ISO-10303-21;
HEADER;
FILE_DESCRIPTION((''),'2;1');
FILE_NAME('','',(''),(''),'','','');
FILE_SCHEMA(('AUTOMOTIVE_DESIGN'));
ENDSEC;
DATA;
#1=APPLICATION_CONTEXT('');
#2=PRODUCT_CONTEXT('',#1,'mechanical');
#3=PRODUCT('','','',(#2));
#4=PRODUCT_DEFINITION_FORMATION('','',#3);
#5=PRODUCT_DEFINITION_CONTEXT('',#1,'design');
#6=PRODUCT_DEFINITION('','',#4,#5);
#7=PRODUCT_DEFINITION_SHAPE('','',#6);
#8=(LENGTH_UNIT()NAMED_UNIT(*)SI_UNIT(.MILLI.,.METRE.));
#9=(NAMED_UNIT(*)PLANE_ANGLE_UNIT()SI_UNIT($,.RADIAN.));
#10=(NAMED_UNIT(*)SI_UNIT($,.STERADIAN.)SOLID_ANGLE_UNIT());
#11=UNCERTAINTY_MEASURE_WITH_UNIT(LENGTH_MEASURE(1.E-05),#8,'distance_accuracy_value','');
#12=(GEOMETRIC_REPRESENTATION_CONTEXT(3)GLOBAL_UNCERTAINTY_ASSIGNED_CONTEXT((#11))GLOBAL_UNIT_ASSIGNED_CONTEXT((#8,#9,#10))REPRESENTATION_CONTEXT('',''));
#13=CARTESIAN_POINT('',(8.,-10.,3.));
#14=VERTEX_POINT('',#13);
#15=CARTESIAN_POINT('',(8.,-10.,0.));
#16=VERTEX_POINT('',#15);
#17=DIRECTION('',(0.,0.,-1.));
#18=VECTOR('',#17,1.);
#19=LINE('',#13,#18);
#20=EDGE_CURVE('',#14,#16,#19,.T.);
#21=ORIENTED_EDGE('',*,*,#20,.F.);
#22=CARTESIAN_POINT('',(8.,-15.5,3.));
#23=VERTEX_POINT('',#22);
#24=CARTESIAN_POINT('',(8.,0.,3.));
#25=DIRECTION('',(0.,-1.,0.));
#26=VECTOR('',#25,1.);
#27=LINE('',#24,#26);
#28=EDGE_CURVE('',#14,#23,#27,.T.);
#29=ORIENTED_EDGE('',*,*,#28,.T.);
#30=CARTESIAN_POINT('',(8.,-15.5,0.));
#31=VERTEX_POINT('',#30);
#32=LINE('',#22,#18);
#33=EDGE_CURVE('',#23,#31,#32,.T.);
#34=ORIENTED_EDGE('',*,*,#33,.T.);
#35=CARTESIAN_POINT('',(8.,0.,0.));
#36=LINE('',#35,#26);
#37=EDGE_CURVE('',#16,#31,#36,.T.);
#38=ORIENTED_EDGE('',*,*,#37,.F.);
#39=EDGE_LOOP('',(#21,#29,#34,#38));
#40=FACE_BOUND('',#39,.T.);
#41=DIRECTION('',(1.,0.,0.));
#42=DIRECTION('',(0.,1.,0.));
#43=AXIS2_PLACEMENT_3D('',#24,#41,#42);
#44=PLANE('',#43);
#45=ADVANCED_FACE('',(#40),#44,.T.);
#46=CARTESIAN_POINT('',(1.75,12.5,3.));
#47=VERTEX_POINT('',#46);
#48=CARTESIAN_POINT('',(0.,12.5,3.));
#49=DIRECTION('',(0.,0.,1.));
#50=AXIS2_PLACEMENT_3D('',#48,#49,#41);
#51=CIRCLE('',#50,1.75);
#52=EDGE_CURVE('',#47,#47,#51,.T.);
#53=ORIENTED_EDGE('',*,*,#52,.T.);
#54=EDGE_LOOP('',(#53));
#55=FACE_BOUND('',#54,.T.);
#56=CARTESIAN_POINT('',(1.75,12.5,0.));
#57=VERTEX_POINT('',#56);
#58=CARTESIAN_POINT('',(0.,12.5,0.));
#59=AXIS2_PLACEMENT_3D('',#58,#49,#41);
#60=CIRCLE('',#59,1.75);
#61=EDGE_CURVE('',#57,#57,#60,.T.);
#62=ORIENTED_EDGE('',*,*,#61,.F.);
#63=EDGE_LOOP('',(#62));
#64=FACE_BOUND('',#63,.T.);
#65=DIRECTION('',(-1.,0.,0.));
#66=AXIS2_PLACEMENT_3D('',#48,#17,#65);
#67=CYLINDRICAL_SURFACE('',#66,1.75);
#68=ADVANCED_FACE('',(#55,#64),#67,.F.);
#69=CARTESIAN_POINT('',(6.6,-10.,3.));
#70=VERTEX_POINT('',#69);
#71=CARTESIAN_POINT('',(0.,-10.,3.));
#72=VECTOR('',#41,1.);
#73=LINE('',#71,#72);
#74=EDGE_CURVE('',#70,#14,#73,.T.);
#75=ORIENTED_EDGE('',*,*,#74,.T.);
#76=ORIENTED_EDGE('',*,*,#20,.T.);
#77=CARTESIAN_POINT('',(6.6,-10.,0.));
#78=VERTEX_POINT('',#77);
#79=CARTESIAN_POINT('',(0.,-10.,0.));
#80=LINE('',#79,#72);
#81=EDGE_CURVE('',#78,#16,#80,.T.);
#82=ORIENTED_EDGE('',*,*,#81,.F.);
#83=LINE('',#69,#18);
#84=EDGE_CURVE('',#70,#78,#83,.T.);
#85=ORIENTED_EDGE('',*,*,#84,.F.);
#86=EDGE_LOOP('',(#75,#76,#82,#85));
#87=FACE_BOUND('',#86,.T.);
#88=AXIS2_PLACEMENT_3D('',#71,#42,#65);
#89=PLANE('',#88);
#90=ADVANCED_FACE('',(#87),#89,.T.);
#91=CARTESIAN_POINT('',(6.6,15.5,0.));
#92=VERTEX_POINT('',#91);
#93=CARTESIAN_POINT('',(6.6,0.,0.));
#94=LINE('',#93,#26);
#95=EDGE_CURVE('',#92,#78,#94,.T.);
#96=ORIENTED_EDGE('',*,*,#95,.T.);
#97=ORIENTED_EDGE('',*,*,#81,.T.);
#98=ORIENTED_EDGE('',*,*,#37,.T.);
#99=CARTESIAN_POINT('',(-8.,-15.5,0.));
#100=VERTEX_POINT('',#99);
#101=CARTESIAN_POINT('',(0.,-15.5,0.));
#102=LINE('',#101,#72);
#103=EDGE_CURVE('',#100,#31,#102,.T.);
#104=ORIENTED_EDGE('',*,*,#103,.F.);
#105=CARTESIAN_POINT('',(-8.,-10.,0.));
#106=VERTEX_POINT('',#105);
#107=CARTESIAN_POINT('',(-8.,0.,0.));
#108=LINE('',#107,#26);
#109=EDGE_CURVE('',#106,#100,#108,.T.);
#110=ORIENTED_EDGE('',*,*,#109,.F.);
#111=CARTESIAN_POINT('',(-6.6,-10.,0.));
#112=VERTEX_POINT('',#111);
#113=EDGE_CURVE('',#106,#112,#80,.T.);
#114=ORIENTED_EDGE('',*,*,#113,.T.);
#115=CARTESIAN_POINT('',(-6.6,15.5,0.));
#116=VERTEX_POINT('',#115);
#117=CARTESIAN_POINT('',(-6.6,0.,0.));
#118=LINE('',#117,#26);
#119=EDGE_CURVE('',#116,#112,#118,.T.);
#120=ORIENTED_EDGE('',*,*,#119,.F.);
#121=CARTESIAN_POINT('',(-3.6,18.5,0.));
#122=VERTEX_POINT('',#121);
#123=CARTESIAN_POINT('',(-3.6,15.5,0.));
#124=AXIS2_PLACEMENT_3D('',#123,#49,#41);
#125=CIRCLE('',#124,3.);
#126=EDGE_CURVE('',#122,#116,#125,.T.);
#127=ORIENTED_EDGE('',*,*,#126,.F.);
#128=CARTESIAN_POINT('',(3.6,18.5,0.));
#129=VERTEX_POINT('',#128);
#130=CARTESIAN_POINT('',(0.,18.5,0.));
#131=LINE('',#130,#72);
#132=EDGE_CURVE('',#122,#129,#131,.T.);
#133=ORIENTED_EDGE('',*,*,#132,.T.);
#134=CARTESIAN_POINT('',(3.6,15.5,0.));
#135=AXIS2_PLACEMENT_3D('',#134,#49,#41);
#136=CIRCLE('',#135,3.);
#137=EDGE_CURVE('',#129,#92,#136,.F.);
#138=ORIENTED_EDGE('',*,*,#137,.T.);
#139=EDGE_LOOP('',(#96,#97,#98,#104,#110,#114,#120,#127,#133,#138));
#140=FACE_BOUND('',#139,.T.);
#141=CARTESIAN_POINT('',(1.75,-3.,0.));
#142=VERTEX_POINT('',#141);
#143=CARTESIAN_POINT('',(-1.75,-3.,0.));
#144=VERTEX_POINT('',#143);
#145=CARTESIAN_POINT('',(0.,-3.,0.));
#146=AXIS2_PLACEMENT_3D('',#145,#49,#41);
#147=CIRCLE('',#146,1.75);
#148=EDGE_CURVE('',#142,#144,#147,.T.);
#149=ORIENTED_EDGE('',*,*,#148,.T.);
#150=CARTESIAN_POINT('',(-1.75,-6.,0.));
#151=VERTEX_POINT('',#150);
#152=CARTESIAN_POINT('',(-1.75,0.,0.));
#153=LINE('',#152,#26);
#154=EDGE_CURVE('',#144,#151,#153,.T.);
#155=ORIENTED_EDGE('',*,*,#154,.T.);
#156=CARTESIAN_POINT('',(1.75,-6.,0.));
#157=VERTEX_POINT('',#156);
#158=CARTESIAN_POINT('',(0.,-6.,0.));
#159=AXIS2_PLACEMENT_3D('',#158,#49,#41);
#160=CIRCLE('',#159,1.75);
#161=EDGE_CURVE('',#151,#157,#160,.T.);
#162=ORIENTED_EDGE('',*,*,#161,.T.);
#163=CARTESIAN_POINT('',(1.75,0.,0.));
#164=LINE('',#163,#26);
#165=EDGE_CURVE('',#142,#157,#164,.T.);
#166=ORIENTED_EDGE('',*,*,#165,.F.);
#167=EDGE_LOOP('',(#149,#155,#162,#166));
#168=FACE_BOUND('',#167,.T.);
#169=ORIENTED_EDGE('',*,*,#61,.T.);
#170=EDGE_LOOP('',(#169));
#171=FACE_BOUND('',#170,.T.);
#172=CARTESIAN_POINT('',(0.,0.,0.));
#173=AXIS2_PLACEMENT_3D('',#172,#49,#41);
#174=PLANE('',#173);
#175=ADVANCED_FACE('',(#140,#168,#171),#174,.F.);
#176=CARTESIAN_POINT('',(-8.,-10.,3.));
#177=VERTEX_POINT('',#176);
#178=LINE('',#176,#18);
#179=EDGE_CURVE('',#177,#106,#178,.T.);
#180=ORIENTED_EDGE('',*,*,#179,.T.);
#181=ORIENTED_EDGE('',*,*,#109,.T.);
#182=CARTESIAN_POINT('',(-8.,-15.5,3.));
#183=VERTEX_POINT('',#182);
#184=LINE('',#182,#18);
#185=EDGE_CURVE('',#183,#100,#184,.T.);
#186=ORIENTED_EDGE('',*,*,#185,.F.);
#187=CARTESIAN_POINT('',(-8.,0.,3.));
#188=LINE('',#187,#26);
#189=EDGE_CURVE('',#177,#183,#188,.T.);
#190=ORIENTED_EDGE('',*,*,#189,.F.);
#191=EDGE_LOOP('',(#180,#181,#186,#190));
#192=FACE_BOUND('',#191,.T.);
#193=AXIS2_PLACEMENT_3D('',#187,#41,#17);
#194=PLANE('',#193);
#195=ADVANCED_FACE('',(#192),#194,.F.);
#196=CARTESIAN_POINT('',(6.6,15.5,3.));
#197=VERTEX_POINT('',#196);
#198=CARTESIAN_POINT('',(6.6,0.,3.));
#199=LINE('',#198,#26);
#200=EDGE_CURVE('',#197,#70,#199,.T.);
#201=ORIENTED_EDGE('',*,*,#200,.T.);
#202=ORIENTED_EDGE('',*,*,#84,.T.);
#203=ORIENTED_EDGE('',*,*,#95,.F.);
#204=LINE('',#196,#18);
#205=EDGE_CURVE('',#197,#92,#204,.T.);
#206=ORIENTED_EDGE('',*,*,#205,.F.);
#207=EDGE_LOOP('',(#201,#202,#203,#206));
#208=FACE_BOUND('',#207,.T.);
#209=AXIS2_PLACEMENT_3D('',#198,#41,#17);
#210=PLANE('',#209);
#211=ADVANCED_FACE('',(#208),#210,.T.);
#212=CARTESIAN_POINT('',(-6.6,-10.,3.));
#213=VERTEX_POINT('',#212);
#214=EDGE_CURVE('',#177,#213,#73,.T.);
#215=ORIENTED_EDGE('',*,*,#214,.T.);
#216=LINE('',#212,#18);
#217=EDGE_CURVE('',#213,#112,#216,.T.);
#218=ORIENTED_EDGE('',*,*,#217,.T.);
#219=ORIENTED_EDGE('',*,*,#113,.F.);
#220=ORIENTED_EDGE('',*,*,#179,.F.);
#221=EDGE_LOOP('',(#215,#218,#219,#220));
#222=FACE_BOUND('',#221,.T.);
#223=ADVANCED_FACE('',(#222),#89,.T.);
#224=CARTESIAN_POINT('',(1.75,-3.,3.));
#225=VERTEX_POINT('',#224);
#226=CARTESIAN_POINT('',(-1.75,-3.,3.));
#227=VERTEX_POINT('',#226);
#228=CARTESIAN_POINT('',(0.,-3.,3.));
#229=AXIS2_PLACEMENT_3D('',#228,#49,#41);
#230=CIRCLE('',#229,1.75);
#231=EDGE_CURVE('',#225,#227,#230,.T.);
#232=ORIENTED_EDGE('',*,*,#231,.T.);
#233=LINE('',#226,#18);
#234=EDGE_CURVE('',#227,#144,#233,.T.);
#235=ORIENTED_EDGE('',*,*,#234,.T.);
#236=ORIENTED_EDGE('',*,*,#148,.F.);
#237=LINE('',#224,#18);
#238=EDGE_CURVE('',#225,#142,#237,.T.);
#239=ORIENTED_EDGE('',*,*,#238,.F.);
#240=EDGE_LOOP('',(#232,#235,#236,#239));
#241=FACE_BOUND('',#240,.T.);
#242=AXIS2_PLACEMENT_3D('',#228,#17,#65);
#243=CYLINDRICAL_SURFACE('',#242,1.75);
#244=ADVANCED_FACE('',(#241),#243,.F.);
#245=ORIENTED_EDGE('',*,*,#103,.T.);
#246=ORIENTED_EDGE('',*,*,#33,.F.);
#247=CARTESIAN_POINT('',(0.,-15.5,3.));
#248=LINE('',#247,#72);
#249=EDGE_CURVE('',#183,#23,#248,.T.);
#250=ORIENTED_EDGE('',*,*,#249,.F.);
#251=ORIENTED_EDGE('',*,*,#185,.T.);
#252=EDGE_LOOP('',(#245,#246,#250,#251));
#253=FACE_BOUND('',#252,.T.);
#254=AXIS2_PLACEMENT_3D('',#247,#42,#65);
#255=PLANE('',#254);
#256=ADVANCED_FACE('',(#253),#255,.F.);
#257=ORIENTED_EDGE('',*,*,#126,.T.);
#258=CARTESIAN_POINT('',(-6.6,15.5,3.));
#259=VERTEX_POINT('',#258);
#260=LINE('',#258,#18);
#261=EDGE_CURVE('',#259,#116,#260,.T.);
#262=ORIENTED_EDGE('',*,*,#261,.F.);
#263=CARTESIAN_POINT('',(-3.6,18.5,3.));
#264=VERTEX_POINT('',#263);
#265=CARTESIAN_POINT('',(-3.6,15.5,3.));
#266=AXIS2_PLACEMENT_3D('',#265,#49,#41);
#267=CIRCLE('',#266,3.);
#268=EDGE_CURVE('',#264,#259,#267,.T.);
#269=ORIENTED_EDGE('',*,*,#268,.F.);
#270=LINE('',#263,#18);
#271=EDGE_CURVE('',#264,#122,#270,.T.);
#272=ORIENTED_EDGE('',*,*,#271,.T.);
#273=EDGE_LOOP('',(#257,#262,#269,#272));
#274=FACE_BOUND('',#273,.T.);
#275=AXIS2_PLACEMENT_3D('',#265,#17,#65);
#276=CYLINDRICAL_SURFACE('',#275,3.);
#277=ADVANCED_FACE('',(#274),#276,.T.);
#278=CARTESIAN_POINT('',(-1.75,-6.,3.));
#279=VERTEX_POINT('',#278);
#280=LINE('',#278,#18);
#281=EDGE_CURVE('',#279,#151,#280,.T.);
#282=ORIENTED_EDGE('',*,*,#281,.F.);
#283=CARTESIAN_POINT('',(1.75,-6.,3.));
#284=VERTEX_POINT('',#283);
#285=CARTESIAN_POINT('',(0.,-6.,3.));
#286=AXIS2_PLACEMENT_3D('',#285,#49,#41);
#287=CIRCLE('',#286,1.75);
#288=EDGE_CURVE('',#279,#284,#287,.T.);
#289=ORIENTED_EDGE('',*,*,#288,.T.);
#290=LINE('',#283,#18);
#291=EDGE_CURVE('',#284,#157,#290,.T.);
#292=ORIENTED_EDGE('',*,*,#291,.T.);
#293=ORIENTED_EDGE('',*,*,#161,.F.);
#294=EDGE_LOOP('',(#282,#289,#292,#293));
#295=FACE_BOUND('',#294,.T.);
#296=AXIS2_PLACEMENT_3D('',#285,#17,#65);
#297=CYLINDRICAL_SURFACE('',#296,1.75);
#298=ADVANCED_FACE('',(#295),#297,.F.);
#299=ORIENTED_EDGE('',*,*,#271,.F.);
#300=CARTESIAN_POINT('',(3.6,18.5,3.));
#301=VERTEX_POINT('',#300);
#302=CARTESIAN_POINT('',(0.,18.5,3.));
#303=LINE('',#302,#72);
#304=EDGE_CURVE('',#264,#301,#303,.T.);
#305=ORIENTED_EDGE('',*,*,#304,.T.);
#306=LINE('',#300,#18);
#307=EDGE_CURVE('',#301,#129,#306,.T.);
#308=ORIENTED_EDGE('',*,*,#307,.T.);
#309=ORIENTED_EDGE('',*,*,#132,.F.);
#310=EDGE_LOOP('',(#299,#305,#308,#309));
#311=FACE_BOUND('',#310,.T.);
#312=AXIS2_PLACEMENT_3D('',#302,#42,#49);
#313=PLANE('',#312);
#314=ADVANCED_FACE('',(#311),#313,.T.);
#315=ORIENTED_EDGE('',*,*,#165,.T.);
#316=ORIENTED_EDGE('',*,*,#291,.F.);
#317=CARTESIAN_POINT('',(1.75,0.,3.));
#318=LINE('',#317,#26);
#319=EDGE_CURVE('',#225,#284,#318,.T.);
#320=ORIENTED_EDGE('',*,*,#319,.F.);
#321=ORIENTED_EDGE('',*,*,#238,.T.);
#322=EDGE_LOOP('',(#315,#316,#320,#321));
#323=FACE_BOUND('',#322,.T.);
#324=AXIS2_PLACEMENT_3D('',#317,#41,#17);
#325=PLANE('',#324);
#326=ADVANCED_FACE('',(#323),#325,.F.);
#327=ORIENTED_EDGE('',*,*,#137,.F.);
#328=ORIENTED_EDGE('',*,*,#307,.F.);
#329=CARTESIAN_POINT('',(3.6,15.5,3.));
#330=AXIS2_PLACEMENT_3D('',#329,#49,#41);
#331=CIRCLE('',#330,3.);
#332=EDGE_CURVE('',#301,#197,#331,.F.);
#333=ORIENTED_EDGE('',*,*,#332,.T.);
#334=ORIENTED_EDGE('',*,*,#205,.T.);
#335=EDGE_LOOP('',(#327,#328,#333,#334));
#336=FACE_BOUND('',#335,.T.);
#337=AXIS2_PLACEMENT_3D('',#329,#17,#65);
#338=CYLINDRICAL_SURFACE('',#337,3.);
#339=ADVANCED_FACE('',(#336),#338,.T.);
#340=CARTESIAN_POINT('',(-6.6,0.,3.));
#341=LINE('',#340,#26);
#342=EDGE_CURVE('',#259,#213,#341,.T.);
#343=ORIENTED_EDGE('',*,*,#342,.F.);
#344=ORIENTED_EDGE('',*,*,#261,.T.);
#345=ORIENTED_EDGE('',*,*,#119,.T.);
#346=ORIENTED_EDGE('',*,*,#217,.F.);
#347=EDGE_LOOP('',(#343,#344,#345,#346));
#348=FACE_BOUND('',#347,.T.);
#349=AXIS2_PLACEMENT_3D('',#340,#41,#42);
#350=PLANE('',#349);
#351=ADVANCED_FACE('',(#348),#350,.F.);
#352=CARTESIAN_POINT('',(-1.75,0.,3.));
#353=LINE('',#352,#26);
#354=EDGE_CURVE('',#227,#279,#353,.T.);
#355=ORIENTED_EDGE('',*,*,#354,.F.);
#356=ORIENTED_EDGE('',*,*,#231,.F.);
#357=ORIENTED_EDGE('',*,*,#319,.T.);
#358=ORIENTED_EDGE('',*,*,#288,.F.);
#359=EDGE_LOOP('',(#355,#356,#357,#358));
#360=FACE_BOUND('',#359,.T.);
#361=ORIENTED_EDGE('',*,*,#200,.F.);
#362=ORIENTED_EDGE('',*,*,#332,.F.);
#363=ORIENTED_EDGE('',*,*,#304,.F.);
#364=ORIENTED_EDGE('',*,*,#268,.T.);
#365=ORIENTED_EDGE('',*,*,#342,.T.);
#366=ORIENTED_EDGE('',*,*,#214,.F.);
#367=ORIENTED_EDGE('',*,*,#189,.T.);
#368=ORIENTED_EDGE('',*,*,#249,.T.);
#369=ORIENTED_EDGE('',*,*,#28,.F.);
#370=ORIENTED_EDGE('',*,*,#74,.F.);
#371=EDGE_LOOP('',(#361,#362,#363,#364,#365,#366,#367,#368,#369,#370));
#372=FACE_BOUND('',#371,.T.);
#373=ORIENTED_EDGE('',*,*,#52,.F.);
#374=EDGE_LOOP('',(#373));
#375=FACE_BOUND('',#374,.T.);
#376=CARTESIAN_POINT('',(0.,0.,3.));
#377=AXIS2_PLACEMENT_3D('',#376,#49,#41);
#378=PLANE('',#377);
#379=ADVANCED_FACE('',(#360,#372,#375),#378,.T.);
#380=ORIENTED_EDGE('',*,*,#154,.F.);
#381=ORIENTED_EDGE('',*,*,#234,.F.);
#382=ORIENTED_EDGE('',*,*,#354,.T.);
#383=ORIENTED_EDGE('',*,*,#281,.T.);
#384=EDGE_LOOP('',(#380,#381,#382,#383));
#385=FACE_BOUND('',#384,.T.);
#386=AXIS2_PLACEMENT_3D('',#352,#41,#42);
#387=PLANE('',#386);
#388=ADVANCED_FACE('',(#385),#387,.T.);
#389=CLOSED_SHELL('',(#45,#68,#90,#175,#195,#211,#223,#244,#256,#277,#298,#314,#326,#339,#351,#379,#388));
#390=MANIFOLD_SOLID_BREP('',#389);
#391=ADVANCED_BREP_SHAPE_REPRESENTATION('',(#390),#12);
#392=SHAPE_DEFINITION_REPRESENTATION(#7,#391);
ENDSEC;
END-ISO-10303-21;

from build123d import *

# Parameters (mm, degrees)
SKETCH1_R           = 1.75
SKETCH1_W           = 16
SKETCH1_H           = 5.5
BOSS_EXTRUDE1_DEPTH = 3


with BuildPart() as part:
    # Sketch1 → Boss-Extrude1 (new body)
    with BuildSketch(Plane.XY):
        with BuildLine():
            Line((-3.6, 18.5), (3.6, 18.5))
            ThreePointArc((3.6, 18.5), (5.721320344, 17.621320344), (6.6, 15.5))
            Line((6.6, 15.5), (6.6, -15.5))
            Line((6.6, -15.5), (-6.6, -15.5))
            Line((-6.6, -15.5), (-6.6, 15.5))
            ThreePointArc((-6.6, 15.5), (-5.721320344, 17.621320344), (-3.6, 18.5))
        make_face()
        with Locations((0, 12.5)):
            Circle(SKETCH1_R, mode=Mode.SUBTRACT)
        with BuildLine():
            Line((1.75, -3), (1.75, -6))
            ThreePointArc((1.75, -6), (0, -7.75), (-1.75, -6))
            Line((-1.75, -6), (-1.75, -3))
            ThreePointArc((-1.75, -3), (0, -1.25), (1.75, -3))
        make_face(mode=Mode.SUBTRACT)
        with Locations((0, -12.75)):
            Rectangle(SKETCH1_W, SKETCH1_H)
    extrude(amount=BOSS_EXTRUDE1_DEPTH)


solid = part.part
